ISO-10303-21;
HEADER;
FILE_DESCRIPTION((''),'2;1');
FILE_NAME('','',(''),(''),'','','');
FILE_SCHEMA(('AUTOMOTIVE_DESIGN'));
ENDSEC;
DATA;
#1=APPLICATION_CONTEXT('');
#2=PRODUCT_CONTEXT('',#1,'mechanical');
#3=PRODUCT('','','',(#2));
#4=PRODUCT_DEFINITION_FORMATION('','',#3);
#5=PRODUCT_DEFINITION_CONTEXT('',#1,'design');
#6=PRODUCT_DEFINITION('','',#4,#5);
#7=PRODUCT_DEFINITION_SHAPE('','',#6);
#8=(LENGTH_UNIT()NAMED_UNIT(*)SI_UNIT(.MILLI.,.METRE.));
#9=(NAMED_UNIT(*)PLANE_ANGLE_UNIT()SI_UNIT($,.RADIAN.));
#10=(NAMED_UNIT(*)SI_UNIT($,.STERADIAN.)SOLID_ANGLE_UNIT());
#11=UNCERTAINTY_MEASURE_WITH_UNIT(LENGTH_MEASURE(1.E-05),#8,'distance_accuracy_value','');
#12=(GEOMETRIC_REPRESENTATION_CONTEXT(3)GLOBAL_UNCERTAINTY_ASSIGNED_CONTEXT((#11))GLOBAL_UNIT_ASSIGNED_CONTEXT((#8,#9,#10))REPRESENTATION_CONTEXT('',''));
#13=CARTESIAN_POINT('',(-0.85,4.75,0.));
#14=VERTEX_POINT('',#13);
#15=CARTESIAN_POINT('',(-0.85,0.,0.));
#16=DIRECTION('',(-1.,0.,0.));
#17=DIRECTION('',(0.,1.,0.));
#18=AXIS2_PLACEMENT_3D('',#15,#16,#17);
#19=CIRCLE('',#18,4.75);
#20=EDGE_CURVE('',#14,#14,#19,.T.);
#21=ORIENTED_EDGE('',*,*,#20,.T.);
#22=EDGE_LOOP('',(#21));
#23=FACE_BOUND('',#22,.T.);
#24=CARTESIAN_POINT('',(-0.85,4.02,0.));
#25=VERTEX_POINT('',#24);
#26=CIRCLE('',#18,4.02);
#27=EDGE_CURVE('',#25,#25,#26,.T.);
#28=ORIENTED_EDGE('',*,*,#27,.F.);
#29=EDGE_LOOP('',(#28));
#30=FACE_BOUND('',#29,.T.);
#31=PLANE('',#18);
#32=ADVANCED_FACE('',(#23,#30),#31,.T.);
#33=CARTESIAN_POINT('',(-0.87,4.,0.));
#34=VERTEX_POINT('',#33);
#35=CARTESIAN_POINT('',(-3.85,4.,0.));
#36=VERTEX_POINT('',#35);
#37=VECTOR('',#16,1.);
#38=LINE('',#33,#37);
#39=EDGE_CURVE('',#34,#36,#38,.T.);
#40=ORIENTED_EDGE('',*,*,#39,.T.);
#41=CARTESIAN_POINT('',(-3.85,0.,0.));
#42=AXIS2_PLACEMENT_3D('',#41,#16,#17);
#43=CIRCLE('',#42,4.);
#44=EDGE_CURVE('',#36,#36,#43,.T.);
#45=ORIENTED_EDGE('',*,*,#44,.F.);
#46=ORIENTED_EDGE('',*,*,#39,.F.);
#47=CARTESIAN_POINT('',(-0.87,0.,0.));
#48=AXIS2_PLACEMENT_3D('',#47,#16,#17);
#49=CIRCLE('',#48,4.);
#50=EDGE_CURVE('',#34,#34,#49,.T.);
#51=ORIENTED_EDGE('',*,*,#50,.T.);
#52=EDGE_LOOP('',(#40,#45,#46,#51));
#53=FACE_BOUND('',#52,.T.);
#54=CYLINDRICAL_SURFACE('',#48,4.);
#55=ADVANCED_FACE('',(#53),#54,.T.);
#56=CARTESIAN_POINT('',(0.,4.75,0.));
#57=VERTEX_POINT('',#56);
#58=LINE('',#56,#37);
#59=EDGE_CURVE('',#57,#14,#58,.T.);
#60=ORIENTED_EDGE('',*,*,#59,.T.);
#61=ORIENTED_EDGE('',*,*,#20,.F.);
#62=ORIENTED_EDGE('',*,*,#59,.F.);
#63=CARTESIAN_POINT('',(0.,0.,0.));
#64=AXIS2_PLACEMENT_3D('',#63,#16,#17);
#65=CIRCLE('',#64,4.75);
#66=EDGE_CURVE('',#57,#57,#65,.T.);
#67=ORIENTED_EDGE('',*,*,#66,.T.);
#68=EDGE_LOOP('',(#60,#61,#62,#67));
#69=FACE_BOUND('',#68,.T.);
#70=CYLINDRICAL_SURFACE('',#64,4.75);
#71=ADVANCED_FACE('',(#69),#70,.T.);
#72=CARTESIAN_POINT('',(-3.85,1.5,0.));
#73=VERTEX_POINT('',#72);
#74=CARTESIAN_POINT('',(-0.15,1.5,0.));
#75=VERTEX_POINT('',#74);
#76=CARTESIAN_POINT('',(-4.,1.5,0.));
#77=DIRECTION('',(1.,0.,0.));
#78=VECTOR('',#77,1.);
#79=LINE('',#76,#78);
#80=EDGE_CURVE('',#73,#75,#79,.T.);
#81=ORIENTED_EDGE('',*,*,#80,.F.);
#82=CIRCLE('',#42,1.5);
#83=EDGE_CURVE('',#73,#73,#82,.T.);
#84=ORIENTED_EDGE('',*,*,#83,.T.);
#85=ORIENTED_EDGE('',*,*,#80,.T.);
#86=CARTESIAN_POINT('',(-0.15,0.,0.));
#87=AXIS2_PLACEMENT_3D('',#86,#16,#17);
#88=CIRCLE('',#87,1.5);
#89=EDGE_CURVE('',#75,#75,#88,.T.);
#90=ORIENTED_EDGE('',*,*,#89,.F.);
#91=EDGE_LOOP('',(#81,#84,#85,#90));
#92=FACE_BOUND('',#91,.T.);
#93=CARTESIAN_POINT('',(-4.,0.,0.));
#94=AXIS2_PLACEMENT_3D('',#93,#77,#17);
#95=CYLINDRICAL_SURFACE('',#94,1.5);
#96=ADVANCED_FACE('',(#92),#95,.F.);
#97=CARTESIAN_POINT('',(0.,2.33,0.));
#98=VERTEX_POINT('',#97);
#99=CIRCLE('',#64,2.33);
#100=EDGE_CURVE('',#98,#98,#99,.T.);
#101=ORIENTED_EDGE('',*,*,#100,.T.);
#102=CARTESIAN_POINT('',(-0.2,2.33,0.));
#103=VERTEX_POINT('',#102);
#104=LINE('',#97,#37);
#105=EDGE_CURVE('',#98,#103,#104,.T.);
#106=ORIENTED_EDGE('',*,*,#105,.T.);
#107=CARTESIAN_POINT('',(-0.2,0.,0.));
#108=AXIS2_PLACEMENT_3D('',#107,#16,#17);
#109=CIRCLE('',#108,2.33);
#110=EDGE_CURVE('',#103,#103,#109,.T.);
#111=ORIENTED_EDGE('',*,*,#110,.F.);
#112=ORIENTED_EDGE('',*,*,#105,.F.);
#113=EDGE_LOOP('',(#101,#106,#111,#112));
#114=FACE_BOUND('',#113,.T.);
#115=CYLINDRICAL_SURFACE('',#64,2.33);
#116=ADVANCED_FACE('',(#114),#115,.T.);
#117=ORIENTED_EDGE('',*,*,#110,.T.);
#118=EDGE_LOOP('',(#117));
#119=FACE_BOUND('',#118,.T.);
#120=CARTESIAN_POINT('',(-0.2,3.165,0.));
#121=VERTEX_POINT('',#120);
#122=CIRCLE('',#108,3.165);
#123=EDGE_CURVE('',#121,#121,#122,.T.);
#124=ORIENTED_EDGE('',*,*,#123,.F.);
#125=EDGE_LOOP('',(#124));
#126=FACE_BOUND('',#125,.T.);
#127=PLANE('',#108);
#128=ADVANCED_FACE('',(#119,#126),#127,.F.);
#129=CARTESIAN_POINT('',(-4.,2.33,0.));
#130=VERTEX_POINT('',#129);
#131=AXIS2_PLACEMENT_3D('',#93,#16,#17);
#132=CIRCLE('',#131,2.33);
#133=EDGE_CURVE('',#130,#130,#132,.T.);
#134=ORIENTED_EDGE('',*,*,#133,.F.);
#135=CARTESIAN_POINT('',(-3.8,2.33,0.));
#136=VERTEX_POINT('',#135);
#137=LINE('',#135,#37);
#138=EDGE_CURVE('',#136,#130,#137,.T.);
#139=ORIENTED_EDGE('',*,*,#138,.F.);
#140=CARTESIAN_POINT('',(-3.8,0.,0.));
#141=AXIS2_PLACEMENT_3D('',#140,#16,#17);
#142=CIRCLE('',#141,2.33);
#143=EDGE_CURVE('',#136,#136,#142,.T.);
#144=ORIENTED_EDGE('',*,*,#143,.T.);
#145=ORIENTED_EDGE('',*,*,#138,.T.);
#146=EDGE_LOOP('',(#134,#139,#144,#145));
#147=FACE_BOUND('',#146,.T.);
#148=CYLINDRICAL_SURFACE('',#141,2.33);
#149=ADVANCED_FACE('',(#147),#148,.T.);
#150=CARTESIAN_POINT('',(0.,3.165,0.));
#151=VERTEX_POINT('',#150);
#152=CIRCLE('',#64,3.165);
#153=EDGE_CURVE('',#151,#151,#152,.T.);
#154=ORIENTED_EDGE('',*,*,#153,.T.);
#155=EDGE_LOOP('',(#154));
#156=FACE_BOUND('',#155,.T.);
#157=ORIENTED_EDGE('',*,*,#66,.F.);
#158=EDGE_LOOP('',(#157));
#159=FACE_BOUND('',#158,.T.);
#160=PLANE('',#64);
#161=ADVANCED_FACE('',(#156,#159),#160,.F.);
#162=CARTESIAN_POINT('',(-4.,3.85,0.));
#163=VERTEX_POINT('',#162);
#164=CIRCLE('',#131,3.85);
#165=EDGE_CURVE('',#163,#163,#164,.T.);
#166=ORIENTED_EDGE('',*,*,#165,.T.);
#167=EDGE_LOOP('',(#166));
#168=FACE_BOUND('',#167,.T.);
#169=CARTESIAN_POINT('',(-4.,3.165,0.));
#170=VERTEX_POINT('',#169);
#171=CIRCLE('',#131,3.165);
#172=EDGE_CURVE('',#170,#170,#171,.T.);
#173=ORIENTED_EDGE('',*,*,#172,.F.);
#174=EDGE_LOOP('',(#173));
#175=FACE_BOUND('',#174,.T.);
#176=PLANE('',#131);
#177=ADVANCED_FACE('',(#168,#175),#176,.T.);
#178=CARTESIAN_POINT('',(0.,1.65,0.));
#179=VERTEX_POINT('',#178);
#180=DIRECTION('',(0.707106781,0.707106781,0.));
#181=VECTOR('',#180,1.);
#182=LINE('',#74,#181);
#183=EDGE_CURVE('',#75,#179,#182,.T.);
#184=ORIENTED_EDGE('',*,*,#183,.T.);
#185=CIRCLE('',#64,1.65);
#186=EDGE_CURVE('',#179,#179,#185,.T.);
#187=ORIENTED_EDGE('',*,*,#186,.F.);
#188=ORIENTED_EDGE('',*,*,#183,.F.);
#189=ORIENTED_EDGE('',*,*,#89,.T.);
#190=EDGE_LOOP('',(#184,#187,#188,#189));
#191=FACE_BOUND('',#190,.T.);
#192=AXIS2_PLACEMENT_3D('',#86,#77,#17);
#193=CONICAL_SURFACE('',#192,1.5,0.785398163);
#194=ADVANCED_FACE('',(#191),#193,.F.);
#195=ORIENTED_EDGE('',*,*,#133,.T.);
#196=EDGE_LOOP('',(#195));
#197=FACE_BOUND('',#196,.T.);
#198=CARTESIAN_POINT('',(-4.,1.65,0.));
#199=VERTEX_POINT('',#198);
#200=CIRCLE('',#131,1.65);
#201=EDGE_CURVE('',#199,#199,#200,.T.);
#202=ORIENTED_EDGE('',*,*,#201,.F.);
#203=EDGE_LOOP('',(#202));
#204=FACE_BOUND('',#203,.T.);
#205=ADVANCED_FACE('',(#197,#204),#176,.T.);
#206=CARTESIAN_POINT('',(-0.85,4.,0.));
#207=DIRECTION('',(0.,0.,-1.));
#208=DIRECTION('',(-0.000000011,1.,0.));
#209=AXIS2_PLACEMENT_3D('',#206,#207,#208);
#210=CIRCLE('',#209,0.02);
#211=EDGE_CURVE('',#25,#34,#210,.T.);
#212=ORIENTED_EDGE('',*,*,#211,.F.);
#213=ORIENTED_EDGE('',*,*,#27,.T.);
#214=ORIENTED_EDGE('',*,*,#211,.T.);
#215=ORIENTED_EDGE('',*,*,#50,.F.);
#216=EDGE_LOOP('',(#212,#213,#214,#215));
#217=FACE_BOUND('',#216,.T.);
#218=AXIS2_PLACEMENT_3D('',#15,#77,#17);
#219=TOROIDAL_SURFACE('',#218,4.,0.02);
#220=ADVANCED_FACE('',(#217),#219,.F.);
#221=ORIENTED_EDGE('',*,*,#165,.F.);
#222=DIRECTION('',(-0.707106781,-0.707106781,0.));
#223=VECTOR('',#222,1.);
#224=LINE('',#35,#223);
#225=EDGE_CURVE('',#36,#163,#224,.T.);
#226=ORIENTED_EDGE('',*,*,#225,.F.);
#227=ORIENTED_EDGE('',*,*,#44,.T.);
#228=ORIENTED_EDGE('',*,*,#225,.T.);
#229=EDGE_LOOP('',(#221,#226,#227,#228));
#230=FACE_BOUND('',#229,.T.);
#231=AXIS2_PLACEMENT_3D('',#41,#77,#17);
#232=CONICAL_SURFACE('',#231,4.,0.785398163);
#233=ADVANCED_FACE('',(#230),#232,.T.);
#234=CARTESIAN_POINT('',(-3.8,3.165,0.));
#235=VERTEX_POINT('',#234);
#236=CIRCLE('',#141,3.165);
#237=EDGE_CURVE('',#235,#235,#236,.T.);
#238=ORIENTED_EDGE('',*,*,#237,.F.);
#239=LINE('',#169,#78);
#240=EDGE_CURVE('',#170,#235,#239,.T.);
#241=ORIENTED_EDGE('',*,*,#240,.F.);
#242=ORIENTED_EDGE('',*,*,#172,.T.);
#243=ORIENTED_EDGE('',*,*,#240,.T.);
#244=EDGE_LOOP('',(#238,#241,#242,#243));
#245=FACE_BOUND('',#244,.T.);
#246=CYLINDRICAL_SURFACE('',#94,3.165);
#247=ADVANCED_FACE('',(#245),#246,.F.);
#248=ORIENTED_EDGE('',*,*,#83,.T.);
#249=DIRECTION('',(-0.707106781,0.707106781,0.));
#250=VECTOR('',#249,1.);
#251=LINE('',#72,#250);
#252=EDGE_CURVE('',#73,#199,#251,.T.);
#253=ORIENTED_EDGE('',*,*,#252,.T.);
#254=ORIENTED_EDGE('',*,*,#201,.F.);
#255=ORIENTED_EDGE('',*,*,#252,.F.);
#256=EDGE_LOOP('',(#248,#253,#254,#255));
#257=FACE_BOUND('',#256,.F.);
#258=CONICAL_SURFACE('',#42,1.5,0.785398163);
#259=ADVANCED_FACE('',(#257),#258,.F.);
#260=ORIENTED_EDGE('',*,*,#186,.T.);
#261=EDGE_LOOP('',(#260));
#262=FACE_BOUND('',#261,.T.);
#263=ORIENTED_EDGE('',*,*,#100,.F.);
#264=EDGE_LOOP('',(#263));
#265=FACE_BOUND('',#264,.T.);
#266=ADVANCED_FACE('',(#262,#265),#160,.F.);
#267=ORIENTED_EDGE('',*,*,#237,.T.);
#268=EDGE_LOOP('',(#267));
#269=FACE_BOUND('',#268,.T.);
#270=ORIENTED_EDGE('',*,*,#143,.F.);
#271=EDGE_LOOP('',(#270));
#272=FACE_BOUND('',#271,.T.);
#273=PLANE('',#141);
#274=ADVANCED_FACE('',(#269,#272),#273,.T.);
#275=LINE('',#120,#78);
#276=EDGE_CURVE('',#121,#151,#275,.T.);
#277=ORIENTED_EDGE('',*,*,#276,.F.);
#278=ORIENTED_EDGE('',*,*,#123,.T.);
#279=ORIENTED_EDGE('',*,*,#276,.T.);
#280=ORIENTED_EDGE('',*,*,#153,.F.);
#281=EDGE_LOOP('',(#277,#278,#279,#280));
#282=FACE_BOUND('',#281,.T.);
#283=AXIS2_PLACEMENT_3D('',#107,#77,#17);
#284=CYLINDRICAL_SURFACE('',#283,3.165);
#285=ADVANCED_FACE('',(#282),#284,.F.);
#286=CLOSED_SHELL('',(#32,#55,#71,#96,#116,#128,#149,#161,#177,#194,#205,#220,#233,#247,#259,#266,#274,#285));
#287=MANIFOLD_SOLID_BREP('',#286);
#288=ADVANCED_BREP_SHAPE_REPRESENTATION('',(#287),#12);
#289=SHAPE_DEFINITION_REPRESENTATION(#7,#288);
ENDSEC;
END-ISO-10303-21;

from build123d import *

# Parameters (mm, degrees)
CHAMFER1_SIZE = 0.15


with BuildPart() as part:
    # Sketch1 → Revolve1 (revolve)
    with BuildSketch(Plane.XY):
        with BuildLine():
            Line((-4, 1.5), (0, 1.5))
            Line((0, 1.5), (0, 2.33))
            Line((0, 2.33), (-0.2, 2.33))
            Line((-0.2, 2.33), (-0.2, 3.165))
            Line((-0.2, 3.165), (0, 3.165))
            Line((0, 3.165), (0, 4.75))
            Line((0, 4.75), (-0.85, 4.75))
            Line((-0.85, 4.75), (-0.85, 4.02))
            ThreePointArc((-0.85, 4.02), (-0.835857864, 3.985857864), (-0.87, 4))
            Line((-0.87, 4), (-4, 4))
            Line((-4, 4), (-4, 3.165))
            Line((-4, 3.165), (-3.8, 3.165))
            Line((-3.8, 3.165), (-3.8, 2.33))
            Line((-3.8, 2.33), (-4, 2.33))
            Line((-4, 2.33), (-4, 1.5))
        make_face()
    revolve(axis=Axis((0, 0, 0), (-1, 0, 0)))

    # Chamfer1
    chamfer1_edges = [part.edges().sort_by_distance(p)[0] for p in [
        (-4, -4, 0),
        (0, -1.5, 0),
        (-4, -1.5, 0),
    ]]
    chamfer(chamfer1_edges, length=CHAMFER1_SIZE)


solid = part.part
